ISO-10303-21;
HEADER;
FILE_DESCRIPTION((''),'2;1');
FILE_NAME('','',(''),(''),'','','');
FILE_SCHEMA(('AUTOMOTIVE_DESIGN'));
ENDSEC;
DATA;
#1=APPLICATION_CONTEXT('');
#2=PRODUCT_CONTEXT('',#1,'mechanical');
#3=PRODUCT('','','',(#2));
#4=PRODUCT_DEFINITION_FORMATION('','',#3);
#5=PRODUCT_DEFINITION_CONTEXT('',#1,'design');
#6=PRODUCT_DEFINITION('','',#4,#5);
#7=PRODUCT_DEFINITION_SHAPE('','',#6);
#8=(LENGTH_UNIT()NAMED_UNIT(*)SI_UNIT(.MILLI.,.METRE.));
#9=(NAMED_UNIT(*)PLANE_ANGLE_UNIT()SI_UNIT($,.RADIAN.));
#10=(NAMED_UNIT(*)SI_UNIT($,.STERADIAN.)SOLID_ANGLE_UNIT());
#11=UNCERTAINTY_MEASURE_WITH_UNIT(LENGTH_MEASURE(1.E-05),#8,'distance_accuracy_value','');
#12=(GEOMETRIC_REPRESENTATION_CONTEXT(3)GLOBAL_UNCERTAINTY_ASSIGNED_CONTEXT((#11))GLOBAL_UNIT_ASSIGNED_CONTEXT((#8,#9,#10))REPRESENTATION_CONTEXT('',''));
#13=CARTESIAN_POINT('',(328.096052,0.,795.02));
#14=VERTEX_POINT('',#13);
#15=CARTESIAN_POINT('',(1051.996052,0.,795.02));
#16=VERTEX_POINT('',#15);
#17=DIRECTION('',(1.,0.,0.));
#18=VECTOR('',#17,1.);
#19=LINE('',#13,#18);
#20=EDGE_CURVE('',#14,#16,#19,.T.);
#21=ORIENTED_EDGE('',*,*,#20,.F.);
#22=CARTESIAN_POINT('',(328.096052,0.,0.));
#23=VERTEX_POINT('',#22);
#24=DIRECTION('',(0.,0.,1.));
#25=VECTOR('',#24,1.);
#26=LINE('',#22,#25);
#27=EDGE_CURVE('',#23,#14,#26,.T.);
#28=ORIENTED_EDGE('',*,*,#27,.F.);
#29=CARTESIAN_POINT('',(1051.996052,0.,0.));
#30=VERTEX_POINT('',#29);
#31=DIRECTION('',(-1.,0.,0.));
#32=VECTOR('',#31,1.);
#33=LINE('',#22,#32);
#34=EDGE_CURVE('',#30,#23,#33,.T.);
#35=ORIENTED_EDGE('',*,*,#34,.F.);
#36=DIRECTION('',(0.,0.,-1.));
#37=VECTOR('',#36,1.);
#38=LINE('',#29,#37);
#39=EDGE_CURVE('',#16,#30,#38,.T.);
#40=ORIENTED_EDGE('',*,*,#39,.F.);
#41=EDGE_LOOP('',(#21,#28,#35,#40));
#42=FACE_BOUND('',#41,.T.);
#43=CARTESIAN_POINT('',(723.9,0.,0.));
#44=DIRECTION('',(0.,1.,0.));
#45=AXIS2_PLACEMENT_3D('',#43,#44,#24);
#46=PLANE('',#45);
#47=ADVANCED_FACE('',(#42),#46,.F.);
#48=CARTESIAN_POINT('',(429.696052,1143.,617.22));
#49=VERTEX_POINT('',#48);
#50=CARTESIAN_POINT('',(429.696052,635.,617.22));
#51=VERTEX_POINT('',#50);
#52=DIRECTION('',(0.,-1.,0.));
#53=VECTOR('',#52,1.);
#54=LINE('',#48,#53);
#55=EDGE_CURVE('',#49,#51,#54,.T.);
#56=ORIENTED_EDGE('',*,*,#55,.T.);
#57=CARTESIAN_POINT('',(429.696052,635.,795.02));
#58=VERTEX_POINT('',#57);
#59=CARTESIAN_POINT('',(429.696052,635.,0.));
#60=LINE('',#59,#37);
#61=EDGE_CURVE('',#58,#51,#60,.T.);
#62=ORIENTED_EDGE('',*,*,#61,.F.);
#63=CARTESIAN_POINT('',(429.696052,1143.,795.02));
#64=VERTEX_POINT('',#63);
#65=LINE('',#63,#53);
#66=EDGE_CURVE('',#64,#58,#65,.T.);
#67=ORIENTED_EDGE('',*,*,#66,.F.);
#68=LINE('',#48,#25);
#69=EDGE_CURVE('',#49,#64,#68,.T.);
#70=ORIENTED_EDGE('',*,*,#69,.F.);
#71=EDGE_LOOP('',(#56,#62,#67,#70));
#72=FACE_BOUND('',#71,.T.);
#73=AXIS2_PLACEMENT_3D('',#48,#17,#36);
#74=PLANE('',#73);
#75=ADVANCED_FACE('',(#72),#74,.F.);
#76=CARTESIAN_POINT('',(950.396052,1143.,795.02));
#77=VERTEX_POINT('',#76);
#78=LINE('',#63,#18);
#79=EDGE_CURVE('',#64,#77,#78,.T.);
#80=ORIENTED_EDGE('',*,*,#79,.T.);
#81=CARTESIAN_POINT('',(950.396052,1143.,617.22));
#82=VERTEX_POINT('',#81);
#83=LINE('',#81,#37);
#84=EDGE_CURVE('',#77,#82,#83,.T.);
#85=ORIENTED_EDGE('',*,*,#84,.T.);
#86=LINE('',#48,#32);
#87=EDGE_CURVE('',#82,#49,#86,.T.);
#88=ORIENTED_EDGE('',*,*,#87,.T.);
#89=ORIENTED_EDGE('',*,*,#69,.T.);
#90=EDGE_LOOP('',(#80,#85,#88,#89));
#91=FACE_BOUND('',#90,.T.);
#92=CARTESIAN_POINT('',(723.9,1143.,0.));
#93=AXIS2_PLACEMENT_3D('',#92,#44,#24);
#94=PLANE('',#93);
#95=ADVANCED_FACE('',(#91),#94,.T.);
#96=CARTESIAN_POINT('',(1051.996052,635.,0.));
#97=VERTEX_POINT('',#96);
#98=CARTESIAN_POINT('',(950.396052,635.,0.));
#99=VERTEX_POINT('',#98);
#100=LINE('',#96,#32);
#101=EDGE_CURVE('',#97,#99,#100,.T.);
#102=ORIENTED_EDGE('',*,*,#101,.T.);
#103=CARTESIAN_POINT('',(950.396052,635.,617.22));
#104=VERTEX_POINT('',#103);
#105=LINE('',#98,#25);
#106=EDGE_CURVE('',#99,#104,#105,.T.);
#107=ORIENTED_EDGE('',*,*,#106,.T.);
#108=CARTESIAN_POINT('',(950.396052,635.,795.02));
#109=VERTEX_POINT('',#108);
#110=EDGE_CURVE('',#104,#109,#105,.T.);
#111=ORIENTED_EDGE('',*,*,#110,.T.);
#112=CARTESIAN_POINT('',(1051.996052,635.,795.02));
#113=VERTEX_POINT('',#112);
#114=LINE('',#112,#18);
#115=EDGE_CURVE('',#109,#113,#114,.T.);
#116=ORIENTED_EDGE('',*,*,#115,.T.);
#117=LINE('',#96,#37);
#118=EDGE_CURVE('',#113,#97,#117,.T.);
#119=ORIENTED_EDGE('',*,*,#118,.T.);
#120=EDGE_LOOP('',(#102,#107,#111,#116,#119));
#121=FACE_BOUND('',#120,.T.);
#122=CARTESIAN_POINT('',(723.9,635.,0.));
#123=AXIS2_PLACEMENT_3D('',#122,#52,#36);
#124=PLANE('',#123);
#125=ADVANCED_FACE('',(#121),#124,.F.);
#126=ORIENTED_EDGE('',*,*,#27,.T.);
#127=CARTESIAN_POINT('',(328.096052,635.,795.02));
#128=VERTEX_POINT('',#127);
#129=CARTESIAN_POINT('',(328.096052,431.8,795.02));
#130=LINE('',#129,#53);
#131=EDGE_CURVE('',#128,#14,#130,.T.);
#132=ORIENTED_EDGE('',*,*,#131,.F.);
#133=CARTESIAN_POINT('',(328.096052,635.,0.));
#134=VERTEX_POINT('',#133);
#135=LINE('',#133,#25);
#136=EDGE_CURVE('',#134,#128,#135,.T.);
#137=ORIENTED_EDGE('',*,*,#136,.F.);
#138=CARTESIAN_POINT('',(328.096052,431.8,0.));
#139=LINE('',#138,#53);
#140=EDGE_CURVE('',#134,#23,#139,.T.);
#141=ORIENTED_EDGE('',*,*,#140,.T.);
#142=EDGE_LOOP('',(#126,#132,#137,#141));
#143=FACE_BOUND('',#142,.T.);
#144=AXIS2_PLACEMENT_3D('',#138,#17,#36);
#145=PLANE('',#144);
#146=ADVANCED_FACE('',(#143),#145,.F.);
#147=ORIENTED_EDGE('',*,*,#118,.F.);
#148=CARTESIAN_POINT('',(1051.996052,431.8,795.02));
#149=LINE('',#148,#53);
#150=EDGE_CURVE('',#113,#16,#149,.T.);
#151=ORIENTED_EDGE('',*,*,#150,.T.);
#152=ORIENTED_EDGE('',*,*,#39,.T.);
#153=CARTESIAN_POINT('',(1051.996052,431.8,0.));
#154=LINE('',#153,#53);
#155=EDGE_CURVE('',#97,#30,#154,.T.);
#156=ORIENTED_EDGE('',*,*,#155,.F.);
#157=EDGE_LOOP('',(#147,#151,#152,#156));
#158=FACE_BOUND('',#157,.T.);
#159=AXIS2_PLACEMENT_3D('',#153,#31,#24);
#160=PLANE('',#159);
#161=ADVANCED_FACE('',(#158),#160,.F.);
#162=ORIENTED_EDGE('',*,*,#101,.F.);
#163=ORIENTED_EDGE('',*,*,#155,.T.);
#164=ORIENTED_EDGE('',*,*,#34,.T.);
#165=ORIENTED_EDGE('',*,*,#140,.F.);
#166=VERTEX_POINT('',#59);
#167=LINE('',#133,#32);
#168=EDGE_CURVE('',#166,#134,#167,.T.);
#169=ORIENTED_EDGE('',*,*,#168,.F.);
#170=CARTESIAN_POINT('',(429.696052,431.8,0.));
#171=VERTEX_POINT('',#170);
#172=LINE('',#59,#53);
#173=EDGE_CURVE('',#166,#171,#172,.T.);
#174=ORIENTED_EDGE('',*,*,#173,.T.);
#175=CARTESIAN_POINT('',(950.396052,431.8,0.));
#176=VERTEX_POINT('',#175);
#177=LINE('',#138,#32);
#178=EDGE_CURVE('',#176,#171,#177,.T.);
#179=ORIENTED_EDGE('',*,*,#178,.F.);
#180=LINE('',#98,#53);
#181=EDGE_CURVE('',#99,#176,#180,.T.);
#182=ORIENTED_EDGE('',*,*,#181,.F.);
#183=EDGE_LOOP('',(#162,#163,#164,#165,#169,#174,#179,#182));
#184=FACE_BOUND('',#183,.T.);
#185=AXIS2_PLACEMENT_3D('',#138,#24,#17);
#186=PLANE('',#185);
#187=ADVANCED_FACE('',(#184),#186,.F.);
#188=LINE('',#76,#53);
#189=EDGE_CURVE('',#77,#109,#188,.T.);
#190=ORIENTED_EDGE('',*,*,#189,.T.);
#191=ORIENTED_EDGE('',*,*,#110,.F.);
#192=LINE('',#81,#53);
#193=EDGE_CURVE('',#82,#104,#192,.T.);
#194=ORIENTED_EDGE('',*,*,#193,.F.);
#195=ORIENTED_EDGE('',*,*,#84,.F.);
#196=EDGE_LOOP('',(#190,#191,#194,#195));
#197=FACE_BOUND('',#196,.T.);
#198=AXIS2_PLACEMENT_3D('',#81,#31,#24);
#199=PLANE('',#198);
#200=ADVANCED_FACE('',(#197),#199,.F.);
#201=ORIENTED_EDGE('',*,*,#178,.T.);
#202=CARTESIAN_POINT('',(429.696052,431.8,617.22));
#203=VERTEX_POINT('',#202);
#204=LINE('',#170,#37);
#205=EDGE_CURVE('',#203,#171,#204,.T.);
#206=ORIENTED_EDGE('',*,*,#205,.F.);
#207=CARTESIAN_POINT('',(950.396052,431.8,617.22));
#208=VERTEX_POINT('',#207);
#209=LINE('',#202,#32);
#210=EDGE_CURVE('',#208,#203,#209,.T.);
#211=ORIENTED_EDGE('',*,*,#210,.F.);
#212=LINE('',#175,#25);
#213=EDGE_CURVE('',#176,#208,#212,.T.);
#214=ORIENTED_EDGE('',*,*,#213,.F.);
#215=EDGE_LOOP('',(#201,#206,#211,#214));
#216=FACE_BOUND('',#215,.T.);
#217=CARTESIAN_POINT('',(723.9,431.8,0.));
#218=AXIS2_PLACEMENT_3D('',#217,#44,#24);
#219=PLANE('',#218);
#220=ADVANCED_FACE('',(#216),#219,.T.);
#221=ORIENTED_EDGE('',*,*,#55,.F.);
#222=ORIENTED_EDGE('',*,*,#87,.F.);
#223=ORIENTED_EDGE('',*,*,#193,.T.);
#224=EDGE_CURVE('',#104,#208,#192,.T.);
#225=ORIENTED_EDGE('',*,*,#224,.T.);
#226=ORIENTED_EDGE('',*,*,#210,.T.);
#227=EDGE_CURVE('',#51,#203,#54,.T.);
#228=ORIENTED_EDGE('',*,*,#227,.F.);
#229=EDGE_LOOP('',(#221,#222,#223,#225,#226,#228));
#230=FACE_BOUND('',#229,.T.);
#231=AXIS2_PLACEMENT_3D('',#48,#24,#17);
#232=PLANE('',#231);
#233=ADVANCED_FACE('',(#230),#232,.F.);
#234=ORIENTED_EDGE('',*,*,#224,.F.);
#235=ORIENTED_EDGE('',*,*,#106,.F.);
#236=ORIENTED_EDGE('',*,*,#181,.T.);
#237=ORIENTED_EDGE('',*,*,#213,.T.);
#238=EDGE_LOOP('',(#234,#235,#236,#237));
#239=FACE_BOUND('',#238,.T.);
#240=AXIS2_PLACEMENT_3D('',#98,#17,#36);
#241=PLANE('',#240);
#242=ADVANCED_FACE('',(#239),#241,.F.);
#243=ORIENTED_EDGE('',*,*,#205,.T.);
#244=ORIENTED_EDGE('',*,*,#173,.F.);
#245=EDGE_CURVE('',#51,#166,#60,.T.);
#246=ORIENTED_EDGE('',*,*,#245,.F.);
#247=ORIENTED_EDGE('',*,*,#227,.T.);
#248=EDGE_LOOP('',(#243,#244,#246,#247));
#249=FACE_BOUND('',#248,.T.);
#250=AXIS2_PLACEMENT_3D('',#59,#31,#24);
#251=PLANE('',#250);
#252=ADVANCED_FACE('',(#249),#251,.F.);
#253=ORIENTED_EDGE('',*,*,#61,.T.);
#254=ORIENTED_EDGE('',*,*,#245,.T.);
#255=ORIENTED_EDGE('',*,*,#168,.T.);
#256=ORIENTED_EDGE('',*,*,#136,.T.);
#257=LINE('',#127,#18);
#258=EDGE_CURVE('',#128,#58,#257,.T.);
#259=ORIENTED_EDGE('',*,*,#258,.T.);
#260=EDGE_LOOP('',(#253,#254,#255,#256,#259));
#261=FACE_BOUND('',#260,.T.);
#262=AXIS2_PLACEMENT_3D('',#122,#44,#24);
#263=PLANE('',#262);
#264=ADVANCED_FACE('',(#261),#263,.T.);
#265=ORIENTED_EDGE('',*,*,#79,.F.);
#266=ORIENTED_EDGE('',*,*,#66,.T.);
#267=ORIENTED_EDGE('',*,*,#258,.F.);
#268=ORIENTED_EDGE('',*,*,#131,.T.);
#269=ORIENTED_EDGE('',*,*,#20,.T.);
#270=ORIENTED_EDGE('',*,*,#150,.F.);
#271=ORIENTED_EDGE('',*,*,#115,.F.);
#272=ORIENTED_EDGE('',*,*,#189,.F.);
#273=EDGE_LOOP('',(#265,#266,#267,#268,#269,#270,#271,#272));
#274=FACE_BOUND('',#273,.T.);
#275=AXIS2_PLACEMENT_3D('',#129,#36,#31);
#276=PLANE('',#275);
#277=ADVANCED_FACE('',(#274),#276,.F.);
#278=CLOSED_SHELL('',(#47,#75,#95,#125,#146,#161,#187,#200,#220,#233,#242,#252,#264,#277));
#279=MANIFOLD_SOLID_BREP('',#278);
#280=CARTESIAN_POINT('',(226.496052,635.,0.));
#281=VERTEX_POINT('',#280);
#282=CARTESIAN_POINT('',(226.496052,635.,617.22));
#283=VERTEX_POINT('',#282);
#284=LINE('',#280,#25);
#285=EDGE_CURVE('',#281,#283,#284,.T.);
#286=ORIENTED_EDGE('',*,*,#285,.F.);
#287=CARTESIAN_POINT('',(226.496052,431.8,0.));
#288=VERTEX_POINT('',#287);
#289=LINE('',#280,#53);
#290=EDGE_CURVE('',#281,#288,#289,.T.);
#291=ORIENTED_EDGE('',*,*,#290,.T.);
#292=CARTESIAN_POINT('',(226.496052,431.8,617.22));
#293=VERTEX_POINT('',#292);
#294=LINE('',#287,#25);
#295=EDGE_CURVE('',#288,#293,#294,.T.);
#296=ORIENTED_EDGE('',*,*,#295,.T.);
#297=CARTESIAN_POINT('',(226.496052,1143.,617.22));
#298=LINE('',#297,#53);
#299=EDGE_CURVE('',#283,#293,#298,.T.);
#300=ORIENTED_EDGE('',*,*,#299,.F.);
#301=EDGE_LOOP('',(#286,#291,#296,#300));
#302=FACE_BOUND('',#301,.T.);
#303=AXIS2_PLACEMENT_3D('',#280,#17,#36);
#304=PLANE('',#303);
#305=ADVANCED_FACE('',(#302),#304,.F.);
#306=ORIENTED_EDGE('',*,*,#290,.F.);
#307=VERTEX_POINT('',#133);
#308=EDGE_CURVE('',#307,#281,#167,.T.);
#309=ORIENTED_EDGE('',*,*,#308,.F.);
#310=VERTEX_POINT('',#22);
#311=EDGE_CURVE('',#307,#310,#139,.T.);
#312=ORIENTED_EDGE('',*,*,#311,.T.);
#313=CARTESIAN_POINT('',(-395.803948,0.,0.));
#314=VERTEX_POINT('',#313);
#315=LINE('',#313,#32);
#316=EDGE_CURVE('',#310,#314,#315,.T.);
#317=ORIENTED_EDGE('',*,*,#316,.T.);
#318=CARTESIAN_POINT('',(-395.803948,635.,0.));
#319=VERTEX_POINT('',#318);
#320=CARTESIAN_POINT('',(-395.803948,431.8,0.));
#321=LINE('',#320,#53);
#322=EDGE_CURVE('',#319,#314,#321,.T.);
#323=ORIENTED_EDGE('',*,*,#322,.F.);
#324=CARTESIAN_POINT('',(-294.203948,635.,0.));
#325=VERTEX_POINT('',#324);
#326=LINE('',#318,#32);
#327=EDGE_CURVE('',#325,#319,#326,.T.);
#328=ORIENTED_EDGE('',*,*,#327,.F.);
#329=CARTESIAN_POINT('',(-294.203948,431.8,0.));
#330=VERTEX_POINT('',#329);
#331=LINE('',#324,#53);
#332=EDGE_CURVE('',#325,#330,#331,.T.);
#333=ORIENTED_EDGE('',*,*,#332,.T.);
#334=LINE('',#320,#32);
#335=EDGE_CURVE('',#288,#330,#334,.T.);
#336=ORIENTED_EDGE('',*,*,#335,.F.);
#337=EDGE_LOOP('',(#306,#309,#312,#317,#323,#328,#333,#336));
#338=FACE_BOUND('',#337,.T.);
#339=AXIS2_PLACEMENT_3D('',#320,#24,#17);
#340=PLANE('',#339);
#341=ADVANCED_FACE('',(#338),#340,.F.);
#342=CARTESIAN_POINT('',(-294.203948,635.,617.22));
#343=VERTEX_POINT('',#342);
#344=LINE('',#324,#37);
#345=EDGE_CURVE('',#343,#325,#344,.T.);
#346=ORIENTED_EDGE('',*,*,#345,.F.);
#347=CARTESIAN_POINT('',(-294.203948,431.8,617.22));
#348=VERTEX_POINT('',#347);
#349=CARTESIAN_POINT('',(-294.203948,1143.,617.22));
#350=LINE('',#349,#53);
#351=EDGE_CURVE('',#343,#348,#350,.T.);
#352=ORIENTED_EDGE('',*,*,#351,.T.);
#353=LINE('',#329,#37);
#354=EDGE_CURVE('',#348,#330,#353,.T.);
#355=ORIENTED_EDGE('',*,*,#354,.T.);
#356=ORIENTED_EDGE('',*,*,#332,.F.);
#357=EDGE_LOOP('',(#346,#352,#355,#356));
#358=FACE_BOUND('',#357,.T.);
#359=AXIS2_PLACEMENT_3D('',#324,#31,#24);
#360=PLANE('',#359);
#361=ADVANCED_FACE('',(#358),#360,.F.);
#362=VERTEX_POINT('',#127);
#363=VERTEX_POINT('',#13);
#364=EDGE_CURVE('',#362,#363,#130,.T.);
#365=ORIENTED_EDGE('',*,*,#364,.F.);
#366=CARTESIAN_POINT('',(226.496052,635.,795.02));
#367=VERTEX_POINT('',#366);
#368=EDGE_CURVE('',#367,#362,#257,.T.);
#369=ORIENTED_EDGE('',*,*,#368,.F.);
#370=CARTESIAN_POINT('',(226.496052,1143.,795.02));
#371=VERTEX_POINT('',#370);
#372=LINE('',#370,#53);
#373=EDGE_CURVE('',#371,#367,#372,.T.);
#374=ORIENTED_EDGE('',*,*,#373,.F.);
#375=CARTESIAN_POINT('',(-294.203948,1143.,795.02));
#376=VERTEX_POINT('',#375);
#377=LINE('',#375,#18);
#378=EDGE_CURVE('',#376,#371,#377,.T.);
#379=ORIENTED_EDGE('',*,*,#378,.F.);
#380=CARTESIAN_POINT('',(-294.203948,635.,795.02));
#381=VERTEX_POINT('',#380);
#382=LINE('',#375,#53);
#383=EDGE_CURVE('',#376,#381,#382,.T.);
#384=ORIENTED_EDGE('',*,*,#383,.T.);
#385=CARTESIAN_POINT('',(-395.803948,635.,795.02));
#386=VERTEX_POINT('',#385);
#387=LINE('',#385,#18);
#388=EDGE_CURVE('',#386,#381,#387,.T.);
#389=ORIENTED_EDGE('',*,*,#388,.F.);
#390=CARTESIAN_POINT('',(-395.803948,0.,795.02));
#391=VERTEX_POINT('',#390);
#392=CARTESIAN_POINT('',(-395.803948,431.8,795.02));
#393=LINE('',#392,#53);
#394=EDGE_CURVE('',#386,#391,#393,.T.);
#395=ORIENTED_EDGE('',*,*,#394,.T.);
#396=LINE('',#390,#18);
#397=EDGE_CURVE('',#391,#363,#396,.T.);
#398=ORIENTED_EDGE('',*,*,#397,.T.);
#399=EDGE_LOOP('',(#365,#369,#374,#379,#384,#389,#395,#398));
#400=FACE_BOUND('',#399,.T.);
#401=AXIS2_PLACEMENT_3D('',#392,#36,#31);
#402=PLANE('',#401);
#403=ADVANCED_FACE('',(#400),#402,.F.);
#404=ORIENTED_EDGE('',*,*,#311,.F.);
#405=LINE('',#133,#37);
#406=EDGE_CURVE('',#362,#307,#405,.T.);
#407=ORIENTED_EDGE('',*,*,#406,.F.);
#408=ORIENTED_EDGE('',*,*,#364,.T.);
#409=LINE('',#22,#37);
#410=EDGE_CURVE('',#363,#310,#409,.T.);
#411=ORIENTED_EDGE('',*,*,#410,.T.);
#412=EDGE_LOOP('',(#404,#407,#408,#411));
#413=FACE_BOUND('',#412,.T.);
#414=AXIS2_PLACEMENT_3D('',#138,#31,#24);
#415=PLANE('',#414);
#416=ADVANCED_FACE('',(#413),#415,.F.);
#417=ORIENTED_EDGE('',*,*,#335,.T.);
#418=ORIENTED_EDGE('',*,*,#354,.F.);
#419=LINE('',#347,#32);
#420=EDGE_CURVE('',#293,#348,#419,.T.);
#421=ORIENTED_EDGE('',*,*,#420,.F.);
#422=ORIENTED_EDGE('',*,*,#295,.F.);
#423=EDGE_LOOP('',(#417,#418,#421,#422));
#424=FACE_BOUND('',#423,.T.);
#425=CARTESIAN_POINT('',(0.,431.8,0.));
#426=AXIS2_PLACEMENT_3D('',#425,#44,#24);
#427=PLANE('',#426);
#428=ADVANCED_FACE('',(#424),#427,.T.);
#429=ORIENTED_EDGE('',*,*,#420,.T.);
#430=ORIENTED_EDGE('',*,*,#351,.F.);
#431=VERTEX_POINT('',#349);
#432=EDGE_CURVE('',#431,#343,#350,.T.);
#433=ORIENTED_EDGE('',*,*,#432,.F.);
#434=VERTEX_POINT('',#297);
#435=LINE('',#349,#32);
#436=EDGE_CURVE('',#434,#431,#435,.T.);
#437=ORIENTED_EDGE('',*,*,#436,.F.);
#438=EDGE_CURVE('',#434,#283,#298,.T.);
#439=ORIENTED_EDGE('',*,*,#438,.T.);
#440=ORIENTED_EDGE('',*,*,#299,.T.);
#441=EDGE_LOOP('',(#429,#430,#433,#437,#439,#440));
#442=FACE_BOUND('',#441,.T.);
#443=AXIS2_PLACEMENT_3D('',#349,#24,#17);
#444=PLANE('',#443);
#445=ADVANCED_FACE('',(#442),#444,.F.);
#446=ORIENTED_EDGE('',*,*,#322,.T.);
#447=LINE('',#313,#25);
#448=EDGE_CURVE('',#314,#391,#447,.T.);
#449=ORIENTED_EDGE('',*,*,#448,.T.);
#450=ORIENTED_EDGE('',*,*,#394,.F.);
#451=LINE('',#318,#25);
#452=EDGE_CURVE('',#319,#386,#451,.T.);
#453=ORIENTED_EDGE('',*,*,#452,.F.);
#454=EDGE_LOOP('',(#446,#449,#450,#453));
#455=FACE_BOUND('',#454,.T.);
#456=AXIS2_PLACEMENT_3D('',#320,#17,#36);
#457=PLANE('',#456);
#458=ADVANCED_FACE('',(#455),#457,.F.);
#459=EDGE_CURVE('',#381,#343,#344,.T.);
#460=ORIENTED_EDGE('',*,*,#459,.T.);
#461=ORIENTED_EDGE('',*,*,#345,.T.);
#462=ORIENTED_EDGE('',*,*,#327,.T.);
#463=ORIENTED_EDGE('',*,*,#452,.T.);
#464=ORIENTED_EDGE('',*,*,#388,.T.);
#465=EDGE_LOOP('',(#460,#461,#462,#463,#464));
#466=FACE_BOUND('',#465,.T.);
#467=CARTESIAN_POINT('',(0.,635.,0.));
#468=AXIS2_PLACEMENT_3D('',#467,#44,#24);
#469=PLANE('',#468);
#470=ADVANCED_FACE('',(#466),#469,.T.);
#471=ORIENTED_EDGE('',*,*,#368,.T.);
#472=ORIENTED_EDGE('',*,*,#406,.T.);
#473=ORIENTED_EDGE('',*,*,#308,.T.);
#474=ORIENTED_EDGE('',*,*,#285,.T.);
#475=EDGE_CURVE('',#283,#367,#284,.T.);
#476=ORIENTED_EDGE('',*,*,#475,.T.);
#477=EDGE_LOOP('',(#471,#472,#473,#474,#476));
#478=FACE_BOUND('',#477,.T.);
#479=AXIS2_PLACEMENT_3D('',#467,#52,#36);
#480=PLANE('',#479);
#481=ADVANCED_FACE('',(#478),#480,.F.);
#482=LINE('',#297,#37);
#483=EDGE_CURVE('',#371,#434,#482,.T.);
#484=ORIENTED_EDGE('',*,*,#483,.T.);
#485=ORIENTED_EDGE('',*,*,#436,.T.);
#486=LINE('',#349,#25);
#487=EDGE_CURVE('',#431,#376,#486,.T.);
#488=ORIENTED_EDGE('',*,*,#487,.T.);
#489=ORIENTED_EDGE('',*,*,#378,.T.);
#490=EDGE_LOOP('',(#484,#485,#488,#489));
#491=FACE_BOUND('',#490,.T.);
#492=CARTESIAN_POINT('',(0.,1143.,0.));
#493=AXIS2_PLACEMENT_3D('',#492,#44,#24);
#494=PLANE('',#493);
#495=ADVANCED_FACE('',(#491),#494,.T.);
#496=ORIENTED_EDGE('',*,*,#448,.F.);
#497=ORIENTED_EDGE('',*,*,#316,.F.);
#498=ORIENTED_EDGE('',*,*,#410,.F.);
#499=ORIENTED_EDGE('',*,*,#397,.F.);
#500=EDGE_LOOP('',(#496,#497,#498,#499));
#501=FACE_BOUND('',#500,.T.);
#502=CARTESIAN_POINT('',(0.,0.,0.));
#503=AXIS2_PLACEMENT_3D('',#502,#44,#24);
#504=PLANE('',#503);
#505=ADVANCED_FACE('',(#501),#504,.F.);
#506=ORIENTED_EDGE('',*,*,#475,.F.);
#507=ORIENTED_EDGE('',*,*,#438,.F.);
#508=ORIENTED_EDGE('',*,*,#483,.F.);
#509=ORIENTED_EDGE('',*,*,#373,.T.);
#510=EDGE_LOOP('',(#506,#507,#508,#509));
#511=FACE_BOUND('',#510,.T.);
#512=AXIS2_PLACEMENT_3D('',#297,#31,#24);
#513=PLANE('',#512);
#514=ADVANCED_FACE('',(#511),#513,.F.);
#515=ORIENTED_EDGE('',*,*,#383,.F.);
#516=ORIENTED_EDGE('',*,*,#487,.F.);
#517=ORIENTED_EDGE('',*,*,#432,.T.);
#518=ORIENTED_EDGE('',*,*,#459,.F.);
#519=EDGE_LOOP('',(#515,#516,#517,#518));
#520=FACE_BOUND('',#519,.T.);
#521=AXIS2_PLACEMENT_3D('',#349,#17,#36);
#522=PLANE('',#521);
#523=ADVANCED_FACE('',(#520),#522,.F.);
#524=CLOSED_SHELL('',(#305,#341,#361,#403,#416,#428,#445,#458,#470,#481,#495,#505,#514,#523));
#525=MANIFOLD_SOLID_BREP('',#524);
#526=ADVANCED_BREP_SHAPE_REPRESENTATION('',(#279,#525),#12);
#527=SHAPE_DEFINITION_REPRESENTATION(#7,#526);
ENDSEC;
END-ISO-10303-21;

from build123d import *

# Parameters (mm, degrees)
SKETCH1_W           = 723.9
SKETCH1_H           = 795.02
BOSS_EXTRUDE1_DEPTH = 431.8
SKETCH2_W           = 101.6
SKETCH2_H           = 795.02
BOSS_EXTRUDE2_DEPTH = 203.2
SKETCH3_W           = 520.7
SKETCH3_H           = 177.8
BOSS_EXTRUDE3_DEPTH = 711.2
LPATTERN1_COUNT     = 2
LPATTERN1_PITCH     = 723.9


with BuildPart() as part:
    # Sketch1 → Boss-Extrude1 (new body)
    with BuildSketch(Plane(origin=(0, 0, 0), x_dir=(1, 0, 0), z_dir=(0, 1, 0))):
        with Locations((-33.853948498, -397.51)):
            Rectangle(SKETCH1_W, SKETCH1_H)
    extrude(amount=BOSS_EXTRUDE1_DEPTH)

    # Sketch2 → Boss-Extrude2 (add)
    with BuildSketch(Plane(origin=(0, 431.8, 0), x_dir=(1, 0, 0), z_dir=(0, 1, 0))):
        with Locations((-345.003948498, -397.51)):
            Rectangle(SKETCH2_W, SKETCH2_H)
        with Locations((277.296051502, -397.51)):
            Rectangle(SKETCH2_W, SKETCH2_H)
    extrude(amount=BOSS_EXTRUDE2_DEPTH)

    # Sketch3 → Boss-Extrude3 (add)
    with BuildSketch(Plane(origin=(0, 431.8, 0), x_dir=(1, 0, 0), z_dir=(0, 1, 0))):
        with Locations((-33.853948498, -706.12)):
            Rectangle(SKETCH3_W, SKETCH3_H)
    extrude(amount=BOSS_EXTRUDE3_DEPTH)


with BuildPart() as lpattern1_1:
    # LPattern1: pattern copy
    add(part.part.moved(Location(Vector(1, 0, 0) * (1 * LPATTERN1_PITCH))))


solid = Compound([part.part, lpattern1_1.part])
